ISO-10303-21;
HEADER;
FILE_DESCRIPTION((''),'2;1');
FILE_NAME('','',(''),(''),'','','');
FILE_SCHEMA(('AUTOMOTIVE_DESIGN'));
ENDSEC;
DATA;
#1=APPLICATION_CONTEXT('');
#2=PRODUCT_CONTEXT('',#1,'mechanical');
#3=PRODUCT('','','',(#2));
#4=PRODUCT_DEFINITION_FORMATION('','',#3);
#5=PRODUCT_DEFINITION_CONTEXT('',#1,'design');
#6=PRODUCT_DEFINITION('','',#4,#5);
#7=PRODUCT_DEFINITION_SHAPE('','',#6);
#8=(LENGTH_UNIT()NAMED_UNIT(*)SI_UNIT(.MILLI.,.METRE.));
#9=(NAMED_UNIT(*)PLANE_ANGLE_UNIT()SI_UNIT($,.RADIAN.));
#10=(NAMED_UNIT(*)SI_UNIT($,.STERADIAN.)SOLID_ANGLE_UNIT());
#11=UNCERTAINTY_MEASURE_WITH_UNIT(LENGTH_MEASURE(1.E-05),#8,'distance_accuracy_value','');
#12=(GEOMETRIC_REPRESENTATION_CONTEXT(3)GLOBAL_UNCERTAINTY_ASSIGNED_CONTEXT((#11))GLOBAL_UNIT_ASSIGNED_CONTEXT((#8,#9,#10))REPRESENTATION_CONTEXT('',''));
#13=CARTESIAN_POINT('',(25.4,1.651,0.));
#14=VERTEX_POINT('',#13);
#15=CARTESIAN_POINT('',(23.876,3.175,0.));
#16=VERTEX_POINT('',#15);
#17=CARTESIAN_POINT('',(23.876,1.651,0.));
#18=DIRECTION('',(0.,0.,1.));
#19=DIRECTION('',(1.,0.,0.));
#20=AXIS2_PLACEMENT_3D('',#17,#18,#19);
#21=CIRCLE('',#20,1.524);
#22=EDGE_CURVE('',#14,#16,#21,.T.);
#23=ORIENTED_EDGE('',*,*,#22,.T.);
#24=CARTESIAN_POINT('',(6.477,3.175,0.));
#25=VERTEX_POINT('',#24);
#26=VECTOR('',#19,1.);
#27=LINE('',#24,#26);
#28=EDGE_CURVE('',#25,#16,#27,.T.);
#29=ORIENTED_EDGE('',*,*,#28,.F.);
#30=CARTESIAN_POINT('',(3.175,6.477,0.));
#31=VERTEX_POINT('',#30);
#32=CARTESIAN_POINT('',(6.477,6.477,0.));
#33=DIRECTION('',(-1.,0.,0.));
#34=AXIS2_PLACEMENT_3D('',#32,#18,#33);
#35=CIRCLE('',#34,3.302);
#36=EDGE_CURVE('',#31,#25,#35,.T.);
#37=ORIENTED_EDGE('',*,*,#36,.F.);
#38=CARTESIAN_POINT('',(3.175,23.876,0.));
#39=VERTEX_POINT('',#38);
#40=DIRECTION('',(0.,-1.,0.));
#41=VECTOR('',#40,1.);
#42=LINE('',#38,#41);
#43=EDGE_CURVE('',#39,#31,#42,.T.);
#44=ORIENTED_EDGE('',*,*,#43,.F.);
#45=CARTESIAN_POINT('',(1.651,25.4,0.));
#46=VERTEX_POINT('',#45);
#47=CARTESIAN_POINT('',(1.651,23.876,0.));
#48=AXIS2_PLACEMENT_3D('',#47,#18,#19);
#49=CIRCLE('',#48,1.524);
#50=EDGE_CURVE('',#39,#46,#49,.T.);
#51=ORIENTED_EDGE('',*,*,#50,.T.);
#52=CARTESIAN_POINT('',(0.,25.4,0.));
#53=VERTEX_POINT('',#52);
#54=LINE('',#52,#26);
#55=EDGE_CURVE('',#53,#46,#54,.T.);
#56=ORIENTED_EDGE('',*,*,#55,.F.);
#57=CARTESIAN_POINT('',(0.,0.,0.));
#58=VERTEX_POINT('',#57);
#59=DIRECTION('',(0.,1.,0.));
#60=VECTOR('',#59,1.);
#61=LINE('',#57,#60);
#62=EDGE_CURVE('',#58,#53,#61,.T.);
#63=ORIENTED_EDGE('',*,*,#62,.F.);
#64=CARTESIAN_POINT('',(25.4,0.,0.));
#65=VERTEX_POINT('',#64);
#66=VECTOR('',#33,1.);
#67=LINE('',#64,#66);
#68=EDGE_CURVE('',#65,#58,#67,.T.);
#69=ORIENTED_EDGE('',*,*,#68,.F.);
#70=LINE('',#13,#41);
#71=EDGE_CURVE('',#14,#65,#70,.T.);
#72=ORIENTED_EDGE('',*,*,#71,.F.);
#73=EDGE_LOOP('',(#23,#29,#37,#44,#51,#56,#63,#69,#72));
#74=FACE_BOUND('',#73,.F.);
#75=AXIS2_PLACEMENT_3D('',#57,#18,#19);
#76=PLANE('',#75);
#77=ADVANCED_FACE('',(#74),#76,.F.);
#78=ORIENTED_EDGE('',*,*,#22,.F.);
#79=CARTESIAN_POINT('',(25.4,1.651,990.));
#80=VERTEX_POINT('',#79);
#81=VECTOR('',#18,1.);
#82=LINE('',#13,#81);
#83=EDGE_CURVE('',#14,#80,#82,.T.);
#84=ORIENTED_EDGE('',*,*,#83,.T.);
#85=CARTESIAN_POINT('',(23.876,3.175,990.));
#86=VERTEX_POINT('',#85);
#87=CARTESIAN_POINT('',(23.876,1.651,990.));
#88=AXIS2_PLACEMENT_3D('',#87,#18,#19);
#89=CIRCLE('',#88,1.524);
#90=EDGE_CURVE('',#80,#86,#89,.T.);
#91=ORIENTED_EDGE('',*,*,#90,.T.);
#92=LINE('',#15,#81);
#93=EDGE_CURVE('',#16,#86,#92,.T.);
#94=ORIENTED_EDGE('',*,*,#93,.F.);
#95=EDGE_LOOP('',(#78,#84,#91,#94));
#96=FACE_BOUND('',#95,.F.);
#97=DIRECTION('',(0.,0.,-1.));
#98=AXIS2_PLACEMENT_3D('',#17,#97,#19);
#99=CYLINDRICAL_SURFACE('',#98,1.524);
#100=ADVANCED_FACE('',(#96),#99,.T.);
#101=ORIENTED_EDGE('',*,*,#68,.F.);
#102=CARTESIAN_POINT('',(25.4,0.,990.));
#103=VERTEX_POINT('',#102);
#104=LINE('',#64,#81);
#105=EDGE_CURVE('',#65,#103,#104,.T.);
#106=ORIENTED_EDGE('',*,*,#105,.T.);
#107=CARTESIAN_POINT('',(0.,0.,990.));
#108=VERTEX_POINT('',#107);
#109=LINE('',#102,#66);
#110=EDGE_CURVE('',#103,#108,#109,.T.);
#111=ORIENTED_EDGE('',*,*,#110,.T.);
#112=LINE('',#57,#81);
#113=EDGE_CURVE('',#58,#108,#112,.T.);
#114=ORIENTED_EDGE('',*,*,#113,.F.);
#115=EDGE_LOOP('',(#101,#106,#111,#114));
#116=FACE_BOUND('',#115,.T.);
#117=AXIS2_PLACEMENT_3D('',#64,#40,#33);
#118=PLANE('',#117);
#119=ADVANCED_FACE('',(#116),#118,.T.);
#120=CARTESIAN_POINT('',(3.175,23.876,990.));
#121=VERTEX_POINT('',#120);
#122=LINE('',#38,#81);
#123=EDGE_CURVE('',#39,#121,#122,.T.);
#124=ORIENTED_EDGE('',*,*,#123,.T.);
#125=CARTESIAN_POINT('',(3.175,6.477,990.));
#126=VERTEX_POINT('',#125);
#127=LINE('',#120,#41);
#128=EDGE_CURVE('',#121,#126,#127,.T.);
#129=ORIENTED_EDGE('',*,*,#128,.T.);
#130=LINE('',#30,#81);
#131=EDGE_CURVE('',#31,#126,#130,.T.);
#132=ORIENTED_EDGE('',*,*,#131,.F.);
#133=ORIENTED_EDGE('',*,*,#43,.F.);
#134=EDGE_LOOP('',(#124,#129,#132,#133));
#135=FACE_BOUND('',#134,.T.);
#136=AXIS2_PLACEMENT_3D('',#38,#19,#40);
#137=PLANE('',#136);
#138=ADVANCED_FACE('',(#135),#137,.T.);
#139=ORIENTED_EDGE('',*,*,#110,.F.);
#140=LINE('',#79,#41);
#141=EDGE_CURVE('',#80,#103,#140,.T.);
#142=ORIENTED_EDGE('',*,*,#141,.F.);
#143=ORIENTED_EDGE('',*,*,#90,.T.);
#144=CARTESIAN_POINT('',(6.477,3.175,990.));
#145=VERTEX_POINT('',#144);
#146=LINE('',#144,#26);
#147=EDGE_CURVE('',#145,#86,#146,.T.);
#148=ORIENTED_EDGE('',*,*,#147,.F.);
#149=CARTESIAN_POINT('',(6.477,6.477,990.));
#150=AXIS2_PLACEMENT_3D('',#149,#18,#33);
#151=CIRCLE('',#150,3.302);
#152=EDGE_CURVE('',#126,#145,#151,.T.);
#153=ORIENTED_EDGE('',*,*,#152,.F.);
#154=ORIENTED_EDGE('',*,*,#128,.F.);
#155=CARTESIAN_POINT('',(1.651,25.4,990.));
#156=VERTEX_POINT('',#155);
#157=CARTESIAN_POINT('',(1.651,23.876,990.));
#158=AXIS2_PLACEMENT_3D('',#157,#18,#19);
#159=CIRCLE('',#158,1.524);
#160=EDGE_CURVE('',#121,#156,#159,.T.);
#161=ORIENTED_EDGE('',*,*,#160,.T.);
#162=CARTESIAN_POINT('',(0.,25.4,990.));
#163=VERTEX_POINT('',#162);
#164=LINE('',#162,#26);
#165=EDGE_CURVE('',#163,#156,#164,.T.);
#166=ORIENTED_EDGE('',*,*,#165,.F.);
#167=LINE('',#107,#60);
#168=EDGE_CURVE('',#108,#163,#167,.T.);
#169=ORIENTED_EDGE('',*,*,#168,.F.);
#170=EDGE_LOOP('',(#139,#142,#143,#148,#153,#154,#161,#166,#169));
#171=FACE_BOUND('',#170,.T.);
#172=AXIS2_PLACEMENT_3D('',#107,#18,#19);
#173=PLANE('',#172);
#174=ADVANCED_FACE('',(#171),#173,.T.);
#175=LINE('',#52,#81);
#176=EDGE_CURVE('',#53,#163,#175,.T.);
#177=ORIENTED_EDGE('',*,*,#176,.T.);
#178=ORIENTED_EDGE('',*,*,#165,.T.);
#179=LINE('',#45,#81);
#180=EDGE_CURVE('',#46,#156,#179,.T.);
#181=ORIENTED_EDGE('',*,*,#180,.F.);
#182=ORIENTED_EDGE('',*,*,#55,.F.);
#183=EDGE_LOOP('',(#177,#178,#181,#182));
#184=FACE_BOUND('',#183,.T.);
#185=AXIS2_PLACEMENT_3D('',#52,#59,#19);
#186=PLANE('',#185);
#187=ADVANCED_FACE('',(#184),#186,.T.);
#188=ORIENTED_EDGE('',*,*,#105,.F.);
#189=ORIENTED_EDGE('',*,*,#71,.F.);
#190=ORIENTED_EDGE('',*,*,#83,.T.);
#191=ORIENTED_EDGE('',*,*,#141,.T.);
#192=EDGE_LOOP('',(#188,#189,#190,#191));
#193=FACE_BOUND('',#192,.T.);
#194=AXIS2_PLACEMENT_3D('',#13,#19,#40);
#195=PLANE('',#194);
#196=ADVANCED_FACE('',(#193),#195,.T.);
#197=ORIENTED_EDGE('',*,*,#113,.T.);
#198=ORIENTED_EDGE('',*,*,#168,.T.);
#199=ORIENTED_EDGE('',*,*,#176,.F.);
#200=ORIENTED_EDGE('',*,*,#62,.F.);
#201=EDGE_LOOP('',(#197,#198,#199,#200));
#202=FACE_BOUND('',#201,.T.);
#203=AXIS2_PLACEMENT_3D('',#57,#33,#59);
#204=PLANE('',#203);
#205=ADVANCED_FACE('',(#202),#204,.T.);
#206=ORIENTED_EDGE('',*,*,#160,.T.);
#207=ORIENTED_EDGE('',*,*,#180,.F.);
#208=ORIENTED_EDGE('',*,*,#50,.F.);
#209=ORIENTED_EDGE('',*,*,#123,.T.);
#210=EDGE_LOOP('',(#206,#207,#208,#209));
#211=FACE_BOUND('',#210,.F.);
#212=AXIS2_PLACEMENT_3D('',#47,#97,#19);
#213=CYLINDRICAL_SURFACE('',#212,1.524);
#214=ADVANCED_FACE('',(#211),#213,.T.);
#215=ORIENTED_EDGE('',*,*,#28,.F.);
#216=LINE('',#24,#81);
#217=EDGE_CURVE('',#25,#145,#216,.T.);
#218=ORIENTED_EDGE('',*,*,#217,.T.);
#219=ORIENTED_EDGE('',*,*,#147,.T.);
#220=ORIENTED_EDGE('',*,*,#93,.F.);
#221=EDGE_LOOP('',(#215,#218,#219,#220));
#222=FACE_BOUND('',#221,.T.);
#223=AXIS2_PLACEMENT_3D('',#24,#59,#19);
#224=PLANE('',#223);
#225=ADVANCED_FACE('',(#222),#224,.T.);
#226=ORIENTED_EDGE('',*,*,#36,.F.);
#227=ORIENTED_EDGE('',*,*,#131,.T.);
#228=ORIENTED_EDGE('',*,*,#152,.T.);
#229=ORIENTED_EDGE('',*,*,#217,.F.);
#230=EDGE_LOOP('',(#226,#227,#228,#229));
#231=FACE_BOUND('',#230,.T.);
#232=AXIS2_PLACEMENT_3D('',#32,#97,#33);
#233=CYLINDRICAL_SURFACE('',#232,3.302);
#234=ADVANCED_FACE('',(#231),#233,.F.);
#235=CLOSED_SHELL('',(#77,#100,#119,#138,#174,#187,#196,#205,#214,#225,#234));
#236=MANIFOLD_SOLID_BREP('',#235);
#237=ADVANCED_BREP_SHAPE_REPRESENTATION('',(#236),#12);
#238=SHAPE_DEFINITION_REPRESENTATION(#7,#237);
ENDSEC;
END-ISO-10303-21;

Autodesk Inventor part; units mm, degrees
ref_plane "YZ Plane" through (0, 0, 0) normal (1, 0, 0) x (0, 1, 0)
ref_plane "Start Plane" through (0, 0, 0) normal (0, 0, 1) x (1, 0, 0)
ref_plane "End Plane" through (0, 0, 990) normal (0, 0, 1) x (1, 0, 0)
sketch "Sketch" plane through (0, 0, 0) normal (0, 0, 1) x (1, 0, 0)
  line L0 (25.4, 0) -> (0, 0)
  line L1 (0, 0) -> (0, 25.4)
  line L2 (0, 25.4) -> (1.651, 25.4)
  line L3 (3.175, 23.876) -> (3.175, 6.477)
  line L4 (6.477, 3.175) -> (23.876, 3.175)
  line L5 (25.4, 1.651) -> (25.4, 0)
  line L6 (0, -11.0414) -> (0, 31.5385) construction
  line L7 (-11.0414, 0) -> (31.5385, 0) construction
  arc A0 (3.175, 6.477) -> (6.477, 3.175) centre (6.477, 6.477) ccw
  arc A1 (3.175, 23.876) -> (1.651, 25.4) centre (1.651, 23.876) ccw
  arc A2 (25.4, 1.651) -> (23.876, 3.175) centre (23.876, 1.651) ccw
  line L8 (0, 40.0545) -> (0, -19.5574) construction
  line L9 (-19.5574, 0) -> (40.0545, 0) construction
  point P0 (3.175, 25.4)
  point P1 (3.175, 3.175)
  point P2 (25.4, 3.175)
  dimension "d0" = 25.4
  dimension "d1" = 25.4
  dimension "d2" = 3.175
  dimension "d3" = 3.175
  dimension "d10" = 0
  dimension "d11" = 0
  dimension "d14" = 3.302
  dimension "d15" = 1.524
extrude "Body" add sketch "Sketch" along normal up to surface (990 mm away) from surface at 0
sketch "Sketch3" plane through (0, 0, 0) normal (0, 0, 1) x (1, 0, 0)
  line L0 (0, 0) -> (10, 0)
ref_plane "Work Plane3" through (0, 0, 0) normal (0, -1, 0) x (1, 0, 0)
sketch "Sketch4" plane through (0, 0, 0) normal (0, -1, 0) x (1, 0, 0)
  line L0 (-2, 0) -> (12, 0) projected
  line L1 (-2, 990) -> (12, 990) projected
  dimension "d17" = 990
equation "\"d0\" = G_H"
equation "\"d1\" = G_H"
equation "\"d2\" = G_T"
equation "\"d3\" = G_T"
equation "\"d14\" = G_IR"
equation "\"d15\" = G_ER"
equation "\"d4\" = G_L"
equation "\"G_H\" = 25.4"
equation "\"G_T\" = 3.175"
equation "\"G_ER\" = 1.524"
equation "\"G_IR\" = 3.302"
equation "\"G_L\" = d17"
equation "\"ex\" = 0"
equation "\"G_OFFSET_START\" = 0"
equation "\"G_OFFSET_END\" = 0"
equation "\"d13\" = G_OFFSET_END + B_L"
equation "\"B_L\" = 990"
properties part number "AISC - L 1 x 1 x 1/8 - 38.976" material "Steel, Mild"
